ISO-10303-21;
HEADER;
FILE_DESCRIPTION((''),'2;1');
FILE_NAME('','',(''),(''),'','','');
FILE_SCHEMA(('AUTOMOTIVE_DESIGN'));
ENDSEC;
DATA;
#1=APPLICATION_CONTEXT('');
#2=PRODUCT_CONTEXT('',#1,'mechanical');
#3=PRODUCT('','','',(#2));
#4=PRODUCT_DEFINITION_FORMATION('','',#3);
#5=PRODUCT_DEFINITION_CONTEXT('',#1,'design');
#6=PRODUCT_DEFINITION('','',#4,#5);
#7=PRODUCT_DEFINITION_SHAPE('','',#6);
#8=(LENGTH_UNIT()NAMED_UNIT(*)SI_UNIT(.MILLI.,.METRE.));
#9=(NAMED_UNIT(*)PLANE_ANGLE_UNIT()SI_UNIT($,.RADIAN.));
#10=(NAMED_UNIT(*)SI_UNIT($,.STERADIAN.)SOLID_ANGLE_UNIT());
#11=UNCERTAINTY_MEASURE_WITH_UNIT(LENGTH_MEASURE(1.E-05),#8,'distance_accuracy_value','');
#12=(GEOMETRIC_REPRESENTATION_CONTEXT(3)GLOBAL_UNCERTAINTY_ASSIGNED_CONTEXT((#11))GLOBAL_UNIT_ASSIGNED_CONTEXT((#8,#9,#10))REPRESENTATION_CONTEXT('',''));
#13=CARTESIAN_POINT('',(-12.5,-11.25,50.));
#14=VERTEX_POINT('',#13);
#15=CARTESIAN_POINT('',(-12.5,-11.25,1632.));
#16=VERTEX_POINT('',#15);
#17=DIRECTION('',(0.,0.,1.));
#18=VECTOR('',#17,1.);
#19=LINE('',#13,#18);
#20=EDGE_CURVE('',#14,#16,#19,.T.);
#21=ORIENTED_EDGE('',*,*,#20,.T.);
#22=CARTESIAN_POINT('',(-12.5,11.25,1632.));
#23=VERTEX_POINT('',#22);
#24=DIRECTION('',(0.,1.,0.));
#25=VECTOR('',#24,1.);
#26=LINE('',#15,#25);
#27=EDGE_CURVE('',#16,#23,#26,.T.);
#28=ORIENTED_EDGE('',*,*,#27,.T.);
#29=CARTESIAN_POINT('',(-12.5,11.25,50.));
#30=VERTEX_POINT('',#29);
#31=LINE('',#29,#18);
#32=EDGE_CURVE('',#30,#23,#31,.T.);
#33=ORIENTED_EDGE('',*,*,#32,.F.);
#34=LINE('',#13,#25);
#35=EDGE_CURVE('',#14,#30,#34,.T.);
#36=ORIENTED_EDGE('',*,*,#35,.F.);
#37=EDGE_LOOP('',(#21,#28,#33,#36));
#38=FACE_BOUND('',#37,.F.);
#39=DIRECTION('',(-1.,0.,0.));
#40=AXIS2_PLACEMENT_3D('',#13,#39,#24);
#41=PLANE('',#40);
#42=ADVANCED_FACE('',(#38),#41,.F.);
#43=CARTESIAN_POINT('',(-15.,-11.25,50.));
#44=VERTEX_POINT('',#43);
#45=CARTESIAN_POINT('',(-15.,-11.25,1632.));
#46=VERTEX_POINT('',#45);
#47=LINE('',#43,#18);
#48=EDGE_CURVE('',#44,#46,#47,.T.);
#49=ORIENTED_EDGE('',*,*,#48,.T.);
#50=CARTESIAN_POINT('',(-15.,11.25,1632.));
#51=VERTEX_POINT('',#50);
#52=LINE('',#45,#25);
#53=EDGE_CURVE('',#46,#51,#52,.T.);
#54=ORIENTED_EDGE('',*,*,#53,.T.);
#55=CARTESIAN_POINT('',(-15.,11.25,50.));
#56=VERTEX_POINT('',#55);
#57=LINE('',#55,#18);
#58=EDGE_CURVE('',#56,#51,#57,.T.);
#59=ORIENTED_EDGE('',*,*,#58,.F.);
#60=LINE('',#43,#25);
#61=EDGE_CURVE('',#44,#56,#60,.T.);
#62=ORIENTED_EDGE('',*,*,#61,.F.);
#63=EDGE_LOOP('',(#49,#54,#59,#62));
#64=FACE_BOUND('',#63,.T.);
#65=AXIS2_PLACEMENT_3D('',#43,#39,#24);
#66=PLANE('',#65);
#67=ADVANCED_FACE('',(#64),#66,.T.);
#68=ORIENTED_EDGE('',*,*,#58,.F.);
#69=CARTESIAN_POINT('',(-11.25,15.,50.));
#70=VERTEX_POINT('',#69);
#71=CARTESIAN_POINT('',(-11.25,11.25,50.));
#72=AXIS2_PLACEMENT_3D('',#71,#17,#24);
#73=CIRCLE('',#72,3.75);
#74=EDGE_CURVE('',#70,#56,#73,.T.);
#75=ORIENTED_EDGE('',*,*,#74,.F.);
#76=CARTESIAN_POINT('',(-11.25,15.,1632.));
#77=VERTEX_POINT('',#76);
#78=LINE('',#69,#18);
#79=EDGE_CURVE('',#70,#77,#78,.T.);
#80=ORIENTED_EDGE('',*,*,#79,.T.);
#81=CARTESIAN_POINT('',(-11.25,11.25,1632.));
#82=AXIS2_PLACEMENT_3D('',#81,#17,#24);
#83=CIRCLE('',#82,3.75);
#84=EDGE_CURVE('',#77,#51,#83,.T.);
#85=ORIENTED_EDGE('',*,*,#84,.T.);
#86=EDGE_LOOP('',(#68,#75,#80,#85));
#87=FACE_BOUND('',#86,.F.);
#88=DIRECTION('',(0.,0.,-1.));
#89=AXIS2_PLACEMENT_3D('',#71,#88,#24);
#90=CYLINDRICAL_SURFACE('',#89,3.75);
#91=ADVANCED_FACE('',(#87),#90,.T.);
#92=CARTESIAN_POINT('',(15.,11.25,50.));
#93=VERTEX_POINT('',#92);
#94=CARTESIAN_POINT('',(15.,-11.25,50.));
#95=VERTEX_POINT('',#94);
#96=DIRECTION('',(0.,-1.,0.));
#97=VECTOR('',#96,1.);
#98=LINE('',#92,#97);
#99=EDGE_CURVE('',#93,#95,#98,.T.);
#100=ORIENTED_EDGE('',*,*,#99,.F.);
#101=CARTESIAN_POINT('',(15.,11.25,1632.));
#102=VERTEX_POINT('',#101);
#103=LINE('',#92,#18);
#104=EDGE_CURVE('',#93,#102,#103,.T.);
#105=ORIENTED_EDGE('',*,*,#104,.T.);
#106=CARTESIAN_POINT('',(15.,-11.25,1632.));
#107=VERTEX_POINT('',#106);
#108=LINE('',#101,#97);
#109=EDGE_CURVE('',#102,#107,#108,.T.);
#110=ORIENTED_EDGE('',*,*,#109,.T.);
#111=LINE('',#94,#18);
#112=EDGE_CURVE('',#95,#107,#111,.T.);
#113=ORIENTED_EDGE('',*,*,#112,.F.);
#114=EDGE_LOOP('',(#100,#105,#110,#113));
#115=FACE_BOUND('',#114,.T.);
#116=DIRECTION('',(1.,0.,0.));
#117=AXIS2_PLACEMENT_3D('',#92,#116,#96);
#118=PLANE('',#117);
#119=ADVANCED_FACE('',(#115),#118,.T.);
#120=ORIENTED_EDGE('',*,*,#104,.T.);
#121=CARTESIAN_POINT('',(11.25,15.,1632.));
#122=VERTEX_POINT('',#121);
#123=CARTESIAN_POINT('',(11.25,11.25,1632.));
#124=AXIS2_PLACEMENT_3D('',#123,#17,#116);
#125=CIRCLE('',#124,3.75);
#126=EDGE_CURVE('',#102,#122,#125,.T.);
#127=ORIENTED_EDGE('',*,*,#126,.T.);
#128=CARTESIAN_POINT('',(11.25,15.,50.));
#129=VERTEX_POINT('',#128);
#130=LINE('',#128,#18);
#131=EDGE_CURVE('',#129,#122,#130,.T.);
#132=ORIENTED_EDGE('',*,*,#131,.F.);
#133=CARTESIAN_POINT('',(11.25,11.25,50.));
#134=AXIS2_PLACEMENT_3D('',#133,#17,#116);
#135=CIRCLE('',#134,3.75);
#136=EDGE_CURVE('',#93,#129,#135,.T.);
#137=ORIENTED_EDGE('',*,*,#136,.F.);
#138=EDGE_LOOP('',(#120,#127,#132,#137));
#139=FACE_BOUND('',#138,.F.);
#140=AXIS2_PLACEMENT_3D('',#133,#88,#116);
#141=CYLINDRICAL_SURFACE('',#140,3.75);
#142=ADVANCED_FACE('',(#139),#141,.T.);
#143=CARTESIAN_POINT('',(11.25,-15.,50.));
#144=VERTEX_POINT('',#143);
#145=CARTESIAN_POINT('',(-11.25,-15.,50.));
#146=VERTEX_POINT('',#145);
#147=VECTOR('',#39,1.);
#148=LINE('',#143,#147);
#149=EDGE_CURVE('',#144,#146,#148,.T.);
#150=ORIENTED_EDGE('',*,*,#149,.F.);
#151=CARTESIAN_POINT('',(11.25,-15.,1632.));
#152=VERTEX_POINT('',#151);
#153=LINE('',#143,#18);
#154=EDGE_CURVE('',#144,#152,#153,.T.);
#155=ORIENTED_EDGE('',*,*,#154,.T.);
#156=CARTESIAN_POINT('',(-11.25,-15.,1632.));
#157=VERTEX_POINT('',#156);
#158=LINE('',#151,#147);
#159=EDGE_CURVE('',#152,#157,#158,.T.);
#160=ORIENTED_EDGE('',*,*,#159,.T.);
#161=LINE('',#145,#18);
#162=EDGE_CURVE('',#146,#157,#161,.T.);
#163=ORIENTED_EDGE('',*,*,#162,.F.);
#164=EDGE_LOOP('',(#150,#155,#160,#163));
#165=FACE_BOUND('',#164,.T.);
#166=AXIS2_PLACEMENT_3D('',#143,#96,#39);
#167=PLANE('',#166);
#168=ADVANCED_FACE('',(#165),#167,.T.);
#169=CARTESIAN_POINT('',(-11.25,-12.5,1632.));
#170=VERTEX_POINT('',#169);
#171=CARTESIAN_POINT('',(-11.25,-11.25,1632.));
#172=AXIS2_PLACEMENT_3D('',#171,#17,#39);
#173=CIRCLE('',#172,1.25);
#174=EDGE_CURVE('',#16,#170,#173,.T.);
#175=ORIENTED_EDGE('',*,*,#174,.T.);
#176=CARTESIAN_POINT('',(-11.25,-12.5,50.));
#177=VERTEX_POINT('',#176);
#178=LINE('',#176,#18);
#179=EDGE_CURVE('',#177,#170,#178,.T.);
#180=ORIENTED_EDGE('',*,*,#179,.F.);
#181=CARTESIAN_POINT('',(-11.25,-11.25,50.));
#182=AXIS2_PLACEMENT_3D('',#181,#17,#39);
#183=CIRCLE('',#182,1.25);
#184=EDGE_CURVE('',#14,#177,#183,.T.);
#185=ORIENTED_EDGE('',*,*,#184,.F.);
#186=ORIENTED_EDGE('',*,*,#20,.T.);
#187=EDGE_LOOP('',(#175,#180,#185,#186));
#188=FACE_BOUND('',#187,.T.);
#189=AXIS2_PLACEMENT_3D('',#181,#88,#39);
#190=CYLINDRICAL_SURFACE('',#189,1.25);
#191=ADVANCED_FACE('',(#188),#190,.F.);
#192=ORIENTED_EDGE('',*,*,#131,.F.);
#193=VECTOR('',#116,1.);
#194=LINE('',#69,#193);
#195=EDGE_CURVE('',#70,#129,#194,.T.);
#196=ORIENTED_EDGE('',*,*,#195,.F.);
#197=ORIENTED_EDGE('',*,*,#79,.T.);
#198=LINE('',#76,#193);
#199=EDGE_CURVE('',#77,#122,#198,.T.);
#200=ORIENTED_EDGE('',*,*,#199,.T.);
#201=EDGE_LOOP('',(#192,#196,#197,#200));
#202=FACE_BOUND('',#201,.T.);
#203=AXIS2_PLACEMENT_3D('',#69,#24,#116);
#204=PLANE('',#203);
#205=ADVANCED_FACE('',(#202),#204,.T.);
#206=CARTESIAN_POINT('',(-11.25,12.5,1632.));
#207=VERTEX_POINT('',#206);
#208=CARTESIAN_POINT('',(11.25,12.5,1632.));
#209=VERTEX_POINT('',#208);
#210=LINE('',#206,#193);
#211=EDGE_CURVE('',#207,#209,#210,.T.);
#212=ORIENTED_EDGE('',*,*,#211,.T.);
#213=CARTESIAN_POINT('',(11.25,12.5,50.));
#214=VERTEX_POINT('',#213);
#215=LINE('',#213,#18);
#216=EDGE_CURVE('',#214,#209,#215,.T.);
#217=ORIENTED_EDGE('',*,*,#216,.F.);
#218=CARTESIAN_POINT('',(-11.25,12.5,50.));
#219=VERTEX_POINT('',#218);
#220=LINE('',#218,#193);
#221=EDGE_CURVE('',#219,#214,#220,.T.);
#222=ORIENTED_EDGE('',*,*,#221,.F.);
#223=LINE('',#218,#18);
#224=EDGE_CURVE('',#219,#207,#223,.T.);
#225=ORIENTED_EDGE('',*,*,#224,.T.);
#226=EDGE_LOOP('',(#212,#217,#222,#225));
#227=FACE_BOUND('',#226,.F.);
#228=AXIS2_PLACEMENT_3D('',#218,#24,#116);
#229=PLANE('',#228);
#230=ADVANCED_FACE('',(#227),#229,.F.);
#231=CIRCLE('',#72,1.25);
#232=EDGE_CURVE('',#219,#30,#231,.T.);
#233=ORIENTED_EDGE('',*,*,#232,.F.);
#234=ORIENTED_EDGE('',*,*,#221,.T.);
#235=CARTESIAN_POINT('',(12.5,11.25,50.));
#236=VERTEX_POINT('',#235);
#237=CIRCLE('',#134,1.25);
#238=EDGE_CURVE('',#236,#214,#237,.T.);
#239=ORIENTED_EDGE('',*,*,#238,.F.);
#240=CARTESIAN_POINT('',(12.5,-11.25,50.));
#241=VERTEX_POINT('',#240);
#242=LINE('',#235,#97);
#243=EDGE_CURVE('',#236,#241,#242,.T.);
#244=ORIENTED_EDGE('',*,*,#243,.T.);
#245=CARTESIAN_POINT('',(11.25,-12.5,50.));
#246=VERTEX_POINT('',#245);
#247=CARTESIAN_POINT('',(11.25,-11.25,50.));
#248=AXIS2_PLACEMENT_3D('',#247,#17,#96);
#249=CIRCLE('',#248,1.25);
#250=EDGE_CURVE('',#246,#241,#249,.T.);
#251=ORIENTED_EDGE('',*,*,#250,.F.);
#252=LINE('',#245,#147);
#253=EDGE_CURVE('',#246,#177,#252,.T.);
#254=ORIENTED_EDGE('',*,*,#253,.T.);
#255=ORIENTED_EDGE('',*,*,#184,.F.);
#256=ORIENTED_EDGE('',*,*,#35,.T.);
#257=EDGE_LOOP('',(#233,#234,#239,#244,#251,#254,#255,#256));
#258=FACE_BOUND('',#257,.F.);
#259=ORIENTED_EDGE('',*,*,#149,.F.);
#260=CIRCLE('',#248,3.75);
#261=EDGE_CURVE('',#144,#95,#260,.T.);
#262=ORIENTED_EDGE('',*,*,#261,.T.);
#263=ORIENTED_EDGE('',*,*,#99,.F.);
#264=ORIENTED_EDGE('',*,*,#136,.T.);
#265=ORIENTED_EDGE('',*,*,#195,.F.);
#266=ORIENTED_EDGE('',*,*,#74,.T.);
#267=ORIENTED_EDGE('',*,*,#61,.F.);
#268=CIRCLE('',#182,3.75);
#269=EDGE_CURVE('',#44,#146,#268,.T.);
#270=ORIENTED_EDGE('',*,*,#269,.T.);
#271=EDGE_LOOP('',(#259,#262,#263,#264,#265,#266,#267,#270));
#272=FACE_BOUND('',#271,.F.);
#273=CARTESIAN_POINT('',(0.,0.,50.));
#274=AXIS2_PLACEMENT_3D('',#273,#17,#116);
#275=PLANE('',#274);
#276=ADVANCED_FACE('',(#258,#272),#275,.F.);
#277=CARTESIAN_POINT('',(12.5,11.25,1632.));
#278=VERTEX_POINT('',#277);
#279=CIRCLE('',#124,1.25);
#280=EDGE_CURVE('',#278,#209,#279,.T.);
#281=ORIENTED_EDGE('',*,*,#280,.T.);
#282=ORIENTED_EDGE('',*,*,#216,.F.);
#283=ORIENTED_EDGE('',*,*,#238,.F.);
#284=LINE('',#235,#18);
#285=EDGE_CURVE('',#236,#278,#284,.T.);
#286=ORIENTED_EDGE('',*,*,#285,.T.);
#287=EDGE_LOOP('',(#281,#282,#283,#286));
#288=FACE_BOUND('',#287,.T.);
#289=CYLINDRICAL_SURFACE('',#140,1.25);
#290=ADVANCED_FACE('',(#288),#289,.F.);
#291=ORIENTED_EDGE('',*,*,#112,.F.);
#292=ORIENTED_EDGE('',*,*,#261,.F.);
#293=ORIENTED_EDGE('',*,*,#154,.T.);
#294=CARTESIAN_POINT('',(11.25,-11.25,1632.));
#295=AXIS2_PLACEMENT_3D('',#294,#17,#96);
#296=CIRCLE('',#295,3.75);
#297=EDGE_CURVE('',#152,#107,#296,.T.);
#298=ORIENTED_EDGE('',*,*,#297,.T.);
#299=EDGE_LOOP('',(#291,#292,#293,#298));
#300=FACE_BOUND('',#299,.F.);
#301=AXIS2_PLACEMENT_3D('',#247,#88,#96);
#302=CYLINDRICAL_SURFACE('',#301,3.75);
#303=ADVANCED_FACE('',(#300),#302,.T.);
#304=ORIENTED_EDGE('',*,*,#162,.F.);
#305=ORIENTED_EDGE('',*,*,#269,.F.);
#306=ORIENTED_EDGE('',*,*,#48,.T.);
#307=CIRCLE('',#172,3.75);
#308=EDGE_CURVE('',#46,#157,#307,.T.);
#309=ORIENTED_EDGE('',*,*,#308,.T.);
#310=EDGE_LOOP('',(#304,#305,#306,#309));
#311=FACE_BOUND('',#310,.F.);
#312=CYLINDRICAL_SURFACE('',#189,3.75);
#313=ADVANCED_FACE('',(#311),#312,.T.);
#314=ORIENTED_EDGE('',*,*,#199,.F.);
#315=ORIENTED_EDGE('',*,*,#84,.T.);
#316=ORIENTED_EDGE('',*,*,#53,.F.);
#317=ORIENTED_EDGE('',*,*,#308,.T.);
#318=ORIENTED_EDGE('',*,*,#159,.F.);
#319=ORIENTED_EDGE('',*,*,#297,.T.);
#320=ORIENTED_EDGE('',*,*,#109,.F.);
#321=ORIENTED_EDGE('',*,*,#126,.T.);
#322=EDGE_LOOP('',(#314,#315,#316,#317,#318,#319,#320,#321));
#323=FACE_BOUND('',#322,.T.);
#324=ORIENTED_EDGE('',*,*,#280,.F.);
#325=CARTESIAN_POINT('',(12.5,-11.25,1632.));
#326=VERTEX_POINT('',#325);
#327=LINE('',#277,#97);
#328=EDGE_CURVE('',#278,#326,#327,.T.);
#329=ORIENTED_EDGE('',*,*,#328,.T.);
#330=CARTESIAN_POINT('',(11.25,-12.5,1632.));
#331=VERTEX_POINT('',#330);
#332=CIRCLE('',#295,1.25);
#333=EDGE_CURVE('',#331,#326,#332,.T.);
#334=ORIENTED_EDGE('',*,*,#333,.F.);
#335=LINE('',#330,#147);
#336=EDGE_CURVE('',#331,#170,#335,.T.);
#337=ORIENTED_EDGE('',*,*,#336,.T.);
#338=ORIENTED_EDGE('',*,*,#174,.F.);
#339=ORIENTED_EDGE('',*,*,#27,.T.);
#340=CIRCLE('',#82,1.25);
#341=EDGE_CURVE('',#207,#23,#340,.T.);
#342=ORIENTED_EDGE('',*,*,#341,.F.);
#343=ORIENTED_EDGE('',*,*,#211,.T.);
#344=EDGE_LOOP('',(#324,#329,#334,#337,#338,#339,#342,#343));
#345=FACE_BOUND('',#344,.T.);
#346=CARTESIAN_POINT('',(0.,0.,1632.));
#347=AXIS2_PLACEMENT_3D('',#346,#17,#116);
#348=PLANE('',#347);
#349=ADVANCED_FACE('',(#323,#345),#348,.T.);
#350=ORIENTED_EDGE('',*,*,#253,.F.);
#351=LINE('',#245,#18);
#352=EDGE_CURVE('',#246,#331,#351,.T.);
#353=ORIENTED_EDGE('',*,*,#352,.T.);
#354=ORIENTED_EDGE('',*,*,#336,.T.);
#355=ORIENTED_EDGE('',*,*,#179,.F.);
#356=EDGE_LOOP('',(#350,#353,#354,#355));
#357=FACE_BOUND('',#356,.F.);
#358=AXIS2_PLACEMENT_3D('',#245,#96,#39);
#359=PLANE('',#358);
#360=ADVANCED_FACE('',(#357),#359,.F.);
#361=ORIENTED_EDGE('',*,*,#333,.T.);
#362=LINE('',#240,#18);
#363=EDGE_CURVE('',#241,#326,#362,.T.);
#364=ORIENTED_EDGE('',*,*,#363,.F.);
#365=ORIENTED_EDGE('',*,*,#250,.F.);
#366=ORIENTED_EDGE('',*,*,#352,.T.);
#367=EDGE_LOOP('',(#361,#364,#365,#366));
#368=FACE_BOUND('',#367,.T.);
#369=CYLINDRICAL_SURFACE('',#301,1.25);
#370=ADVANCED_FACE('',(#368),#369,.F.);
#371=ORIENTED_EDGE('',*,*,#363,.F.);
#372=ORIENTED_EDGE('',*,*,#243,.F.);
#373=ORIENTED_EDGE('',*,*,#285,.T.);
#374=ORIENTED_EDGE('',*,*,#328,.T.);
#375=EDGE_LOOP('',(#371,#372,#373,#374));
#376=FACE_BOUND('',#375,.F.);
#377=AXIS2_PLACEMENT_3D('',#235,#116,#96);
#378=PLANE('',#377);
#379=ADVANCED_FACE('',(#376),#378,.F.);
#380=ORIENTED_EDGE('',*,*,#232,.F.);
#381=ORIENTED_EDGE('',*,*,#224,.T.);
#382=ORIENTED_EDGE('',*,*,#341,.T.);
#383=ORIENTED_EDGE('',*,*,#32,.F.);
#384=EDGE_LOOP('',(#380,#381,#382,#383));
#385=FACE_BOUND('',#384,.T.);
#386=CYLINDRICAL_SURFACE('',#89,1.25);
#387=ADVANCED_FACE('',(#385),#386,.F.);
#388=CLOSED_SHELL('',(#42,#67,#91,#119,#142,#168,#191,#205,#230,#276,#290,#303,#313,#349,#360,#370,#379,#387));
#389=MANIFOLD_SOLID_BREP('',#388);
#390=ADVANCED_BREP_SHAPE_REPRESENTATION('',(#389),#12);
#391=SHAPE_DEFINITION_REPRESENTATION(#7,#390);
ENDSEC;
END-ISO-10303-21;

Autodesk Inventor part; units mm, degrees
ref_plane "Start plane" through (0, 0, 50) normal (0, 0, 1) x (1, 0, 0)
ref_plane "End plane" through (0, 0, 1632) normal (0, 0, 1) x (1, 0, 0)
sketch "Sketch" plane through (0, 0, 0) normal (0, 0, 1) x (1, 0, 0)
  line L0 (-15, -11.25) -> (-15, 11.25)
  line L1 (-11.25, 15) -> (11.25, 15)
  line L2 (15, 11.25) -> (15, -11.25)
  line L3 (11.25, -15) -> (-11.25, -15)
  arc A0 (-15, -11.25) -> (-11.25, -15) centre (-11.25, -11.25) ccw
  arc A1 (-11.25, 15) -> (-15, 11.25) centre (-11.25, 11.25) ccw
  arc A2 (15, 11.25) -> (11.25, 15) centre (11.25, 11.25) ccw
  arc A3 (11.25, -15) -> (15, -11.25) centre (11.25, -11.25) ccw
  arc A4 (-11.25, 12.5) -> (-12.5, 11.25) centre (-11.25, 11.25) ccw
  line L4 (-11.25, 12.5) -> (11.25, 12.5)
  arc A5 (12.5, 11.25) -> (11.25, 12.5) centre (11.25, 11.25) ccw
  line L5 (12.5, 11.25) -> (12.5, -11.25)
  arc A6 (11.25, -12.5) -> (12.5, -11.25) centre (11.25, -11.25) ccw
  line L6 (11.25, -12.5) -> (-11.25, -12.5)
  arc A7 (-12.5, -11.25) -> (-11.25, -12.5) centre (-11.25, -11.25) ccw
  line L7 (-12.5, -11.25) -> (-12.5, 11.25)
  line L8 (0, 22.0873) -> (0, -22.0873) construction
  line L9 (-22.0873, 0) -> (22.0873, 0) construction
  dimension "d7" = 3.75
  dimension "d10" = 30
  dimension "d11" = 30
  dimension "d12" = 2.5
  dimension "d15" = 15
  dimension "d16" = 15
extrude "Body" add sketch "Sketch" along normal up to surface (1582 mm away) from surface at 50
sketch "Sketch3" plane through (0, 0, 0) normal (0, 0, 1) x (1, 0, 0)
  line L0 (0, 0) -> (10, 0)
ref_plane "Work Plane3" through (0, 0, 0) normal (0, -1, 0) x (1, 0, 0)
sketch "Sketch4" plane through (0, 0, 0) normal (0, -1, 0) x (1, 0, 0)
  line L0 (-2, 50) -> (12, 50)
  line L1 (-2, 1632) -> (12, 1632)
  dimension "d18" = 1582
ref_plane "Work Plane4" through (-9.2, -705, 1632) normal (0, 0, 1) x (1, 0, 0)
split "Split1" plane through (-9.2, -705, 1632) removes the side toward (0, 0, 1)
ref_plane "Work Plane5" through (-9.2, 45, 50) normal (0, 0, -1) x (-1, 0, 0)
split "Split2" plane through (-9.2, 45, 50) removes the side toward (0, 0, -1)
equation "\"d7\" = G_IR"
equation "\"d10\" = G_H"
equation "\"d11\" = G_W"
equation "\"d12\" = G_T"
equation "\"d15\" = 0.5 * d10"
equation "\"d16\" = 0.5 * d11"
equation "\"d3\" = G_L"
equation "\"G_W\" = 30"
equation "\"G_H\" = 30"
equation "\"G_T\" = 2.5"
equation "\"G_IR\" = 3.75"
equation "\"G_L\" = d18"
equation "\"d14\" = G_OFFSET_END + B_L"
equation "\"B_L\" = 1682"
equation "\"G_OFFSET_END\" = -50"
properties part number "DIN EN 10305-5 - 30 x 30 x 2,5  - 1582" material "Steel, Mild"
